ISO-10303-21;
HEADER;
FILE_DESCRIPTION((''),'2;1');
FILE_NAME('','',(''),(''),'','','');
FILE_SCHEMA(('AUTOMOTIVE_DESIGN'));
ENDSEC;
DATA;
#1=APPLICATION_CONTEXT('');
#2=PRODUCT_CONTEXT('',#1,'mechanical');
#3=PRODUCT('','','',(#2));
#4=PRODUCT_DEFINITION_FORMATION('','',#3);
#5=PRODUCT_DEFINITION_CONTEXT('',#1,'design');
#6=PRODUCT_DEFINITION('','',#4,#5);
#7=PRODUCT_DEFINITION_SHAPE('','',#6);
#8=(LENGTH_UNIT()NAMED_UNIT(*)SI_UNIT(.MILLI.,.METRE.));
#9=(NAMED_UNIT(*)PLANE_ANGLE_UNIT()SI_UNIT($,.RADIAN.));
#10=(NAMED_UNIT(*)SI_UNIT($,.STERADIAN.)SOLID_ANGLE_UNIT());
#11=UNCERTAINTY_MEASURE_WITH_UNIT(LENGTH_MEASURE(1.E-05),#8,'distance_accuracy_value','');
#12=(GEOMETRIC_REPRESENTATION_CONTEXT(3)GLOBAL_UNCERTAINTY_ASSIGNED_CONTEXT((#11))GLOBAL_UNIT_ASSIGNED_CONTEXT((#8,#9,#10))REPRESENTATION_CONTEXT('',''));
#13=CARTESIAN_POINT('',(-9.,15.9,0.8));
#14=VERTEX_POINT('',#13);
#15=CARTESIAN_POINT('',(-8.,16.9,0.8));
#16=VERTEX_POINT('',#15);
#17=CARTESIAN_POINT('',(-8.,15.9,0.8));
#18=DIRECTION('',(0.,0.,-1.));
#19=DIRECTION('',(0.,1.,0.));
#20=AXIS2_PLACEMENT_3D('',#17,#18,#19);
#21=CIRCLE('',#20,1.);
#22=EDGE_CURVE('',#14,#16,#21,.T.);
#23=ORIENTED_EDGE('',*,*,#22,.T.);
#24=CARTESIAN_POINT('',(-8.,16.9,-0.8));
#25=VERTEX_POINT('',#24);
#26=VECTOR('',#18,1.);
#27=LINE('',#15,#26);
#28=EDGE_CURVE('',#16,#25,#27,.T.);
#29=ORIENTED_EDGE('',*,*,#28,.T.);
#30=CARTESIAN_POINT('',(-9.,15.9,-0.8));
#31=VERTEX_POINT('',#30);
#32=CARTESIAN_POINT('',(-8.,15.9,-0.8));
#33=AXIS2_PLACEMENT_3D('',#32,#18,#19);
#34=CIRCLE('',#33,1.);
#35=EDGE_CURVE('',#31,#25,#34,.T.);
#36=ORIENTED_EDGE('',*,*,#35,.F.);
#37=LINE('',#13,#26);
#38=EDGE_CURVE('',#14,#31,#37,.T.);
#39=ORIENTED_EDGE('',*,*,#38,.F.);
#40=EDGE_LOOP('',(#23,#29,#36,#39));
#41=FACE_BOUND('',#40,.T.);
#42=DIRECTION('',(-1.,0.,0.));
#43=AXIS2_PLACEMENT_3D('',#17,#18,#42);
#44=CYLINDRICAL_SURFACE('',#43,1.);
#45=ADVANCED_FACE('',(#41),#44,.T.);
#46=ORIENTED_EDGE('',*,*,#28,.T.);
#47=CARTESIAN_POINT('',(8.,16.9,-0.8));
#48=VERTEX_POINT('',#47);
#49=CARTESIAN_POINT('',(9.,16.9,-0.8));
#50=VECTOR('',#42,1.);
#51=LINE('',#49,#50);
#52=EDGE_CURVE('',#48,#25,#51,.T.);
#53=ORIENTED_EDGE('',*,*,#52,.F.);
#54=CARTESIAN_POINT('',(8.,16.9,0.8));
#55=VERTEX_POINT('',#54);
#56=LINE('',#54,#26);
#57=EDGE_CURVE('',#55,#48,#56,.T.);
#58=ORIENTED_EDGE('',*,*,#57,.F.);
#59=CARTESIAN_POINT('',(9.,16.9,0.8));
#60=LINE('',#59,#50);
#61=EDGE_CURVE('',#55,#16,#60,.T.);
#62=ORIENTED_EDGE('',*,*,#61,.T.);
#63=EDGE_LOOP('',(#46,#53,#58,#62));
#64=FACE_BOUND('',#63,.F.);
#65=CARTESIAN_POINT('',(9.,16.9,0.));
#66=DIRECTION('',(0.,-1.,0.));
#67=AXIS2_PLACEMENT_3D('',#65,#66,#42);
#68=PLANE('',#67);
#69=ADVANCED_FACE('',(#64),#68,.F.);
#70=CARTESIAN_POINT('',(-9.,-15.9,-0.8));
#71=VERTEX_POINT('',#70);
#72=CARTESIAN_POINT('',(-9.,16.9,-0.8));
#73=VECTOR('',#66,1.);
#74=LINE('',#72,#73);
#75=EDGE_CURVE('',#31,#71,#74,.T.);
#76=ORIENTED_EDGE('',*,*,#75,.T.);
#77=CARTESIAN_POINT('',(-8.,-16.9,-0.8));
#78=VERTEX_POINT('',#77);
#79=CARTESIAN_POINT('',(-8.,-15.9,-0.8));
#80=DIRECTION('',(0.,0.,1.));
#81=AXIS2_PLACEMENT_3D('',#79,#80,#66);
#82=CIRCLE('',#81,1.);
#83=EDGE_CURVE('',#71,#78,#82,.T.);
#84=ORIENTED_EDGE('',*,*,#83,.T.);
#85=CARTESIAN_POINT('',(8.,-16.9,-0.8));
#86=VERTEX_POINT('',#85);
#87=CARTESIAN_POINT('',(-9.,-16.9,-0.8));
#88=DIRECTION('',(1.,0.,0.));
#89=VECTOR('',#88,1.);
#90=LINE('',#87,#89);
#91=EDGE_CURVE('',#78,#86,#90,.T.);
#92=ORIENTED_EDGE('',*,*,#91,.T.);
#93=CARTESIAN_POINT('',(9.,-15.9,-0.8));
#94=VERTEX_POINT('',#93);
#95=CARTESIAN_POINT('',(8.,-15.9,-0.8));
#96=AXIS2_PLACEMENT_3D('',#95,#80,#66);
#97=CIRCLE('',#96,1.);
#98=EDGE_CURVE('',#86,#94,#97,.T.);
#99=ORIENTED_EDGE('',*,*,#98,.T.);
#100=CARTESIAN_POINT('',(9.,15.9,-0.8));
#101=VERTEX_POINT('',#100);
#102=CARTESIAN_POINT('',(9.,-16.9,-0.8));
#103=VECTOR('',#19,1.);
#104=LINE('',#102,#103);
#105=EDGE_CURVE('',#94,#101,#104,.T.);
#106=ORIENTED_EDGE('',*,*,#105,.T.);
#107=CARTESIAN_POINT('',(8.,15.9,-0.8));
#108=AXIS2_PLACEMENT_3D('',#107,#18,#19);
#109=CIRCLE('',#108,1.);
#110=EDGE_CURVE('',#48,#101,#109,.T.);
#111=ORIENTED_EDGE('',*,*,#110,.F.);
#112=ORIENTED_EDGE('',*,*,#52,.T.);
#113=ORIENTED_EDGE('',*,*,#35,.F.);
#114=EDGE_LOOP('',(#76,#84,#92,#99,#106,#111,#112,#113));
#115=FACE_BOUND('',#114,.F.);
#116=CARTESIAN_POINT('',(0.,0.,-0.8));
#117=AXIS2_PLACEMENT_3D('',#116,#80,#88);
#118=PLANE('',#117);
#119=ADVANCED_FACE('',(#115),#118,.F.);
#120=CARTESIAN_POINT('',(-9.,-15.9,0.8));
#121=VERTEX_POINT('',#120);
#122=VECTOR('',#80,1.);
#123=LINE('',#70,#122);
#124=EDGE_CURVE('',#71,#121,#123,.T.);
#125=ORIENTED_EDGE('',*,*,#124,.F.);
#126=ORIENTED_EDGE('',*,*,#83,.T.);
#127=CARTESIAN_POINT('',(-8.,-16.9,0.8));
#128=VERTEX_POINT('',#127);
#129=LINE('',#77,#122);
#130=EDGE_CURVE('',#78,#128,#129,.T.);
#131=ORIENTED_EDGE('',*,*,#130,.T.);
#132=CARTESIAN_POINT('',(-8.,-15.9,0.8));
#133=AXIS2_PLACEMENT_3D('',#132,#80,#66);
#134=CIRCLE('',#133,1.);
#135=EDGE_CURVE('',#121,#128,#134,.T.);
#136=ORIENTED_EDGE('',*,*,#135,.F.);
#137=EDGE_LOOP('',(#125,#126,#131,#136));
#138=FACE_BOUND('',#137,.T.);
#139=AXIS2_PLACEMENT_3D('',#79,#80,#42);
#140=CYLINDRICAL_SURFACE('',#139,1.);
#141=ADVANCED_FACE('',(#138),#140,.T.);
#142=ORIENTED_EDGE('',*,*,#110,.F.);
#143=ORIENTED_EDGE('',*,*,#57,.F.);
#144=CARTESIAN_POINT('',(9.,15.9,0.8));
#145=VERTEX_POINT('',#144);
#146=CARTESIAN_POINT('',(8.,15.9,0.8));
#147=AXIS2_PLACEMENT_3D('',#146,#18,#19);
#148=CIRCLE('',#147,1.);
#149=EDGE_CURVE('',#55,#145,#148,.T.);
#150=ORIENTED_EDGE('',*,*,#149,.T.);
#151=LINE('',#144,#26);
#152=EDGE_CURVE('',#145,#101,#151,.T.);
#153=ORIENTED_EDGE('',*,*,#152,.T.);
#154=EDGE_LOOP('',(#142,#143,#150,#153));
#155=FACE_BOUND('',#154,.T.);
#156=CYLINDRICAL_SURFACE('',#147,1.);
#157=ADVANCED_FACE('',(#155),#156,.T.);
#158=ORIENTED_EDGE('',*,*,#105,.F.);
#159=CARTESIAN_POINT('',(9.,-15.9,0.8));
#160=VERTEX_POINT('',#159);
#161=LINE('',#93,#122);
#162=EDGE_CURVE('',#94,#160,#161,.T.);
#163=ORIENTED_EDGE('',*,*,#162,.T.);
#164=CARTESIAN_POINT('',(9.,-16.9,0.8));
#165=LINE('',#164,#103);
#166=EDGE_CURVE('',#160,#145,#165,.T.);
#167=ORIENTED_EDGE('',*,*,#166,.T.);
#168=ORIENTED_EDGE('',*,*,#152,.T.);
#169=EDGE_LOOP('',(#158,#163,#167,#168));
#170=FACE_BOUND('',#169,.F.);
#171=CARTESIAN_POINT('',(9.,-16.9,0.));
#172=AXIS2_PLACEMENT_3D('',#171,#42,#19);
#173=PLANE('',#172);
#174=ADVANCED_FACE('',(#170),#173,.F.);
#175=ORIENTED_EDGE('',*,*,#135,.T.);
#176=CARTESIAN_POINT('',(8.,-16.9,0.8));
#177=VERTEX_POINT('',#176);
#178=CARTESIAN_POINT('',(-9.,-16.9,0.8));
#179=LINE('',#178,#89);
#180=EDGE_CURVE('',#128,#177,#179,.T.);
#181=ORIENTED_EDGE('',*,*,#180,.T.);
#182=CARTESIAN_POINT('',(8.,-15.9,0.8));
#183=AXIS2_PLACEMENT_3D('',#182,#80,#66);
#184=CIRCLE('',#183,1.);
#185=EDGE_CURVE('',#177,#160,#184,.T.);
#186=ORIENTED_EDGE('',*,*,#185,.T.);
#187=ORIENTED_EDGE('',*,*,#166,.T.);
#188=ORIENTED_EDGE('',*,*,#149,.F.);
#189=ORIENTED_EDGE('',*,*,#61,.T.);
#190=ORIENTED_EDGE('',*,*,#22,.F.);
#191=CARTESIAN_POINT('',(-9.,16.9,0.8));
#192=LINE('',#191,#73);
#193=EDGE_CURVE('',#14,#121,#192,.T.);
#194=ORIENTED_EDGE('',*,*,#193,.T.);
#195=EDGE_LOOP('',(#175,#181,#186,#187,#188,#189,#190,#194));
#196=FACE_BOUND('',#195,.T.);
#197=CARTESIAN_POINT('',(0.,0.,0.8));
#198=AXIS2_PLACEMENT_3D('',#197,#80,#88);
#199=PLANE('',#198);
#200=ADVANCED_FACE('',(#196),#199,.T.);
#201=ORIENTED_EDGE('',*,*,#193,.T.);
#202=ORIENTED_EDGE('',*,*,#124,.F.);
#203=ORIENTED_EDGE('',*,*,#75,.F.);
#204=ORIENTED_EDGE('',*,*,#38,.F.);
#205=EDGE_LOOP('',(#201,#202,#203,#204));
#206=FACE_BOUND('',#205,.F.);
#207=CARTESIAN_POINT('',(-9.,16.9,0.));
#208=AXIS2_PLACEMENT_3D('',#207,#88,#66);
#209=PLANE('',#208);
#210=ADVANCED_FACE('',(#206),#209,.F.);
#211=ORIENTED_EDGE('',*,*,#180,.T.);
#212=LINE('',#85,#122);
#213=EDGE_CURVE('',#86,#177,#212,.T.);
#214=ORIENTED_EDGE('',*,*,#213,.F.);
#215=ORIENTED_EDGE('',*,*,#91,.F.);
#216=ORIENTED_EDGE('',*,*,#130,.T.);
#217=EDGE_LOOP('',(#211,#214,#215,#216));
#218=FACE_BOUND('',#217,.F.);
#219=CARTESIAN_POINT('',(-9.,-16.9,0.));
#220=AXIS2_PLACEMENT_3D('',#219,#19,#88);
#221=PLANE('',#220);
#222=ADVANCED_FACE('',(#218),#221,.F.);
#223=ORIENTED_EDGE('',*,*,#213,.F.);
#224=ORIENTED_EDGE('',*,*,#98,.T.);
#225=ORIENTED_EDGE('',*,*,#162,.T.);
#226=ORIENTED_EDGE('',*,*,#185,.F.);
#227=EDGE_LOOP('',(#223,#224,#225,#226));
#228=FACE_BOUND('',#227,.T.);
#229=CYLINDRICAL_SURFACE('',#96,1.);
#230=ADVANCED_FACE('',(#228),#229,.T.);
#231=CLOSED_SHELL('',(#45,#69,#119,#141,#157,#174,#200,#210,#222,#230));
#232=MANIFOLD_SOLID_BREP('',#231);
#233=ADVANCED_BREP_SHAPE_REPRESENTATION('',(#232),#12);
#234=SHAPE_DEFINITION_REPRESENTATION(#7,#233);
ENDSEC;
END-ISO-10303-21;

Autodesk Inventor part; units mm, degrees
ref_plane "YZ Plane" through (0, 0, 0) normal (1, 0, 0) x (0, 1, 0)
ref_plane "XZ Plane" through (0, 0, 0) normal (0, 1, 0) x (-1, 0, 0)
ref_plane "XY Plane" through (0, 0, 0) normal (0, 0, 1) x (1, 0, 0)
sketch "Sketch1" plane through (0, 0, 0) normal (0, 0, 1) x (1, 0, 0)
  line L0 (-9, -16.9) -> (9, -16.9)
  line L1 (9, -16.9) -> (9, 16.9)
  line L2 (9, 16.9) -> (-9, 16.9)
  line L3 (-9, 16.9) -> (-9, -16.9)
  line L4 (-9, -16.9) -> (9, 16.9) construction
  line L5 (9, -16.9) -> (-9, 16.9) construction
  point P0 (0, 0)
  dimension "d0" = 18
  dimension "d1" = 33.8
extrude "Extrusion1" add sketch "Sketch1" along normal mid plane 1.6
fillet "Fillet1" radius 1 4 edges at (-9, -16.9, 0) (9, -16.9, 0) (9, 16.9, 0) (-9, 16.9, 0)
sketch "USB_MAIN_EXTENSION_PCB_OUTLINE" plane through (0, 0, 0.8) normal (0, 0, 1) x (1, 0, 0)
  arc A0 (-8, 16.9) -> (-9, 15.9) centre (-8, 15.9) ccw projected
  line L0 (-9, 15.9) -> (-9, -15.9) projected
  arc A1 (-9, -15.9) -> (-8, -16.9) centre (-8, -15.9) ccw projected
  line L1 (-8, -16.9) -> (8, -16.9) projected
  arc A2 (8, -16.9) -> (9, -15.9) centre (8, -15.9) ccw projected
  line L2 (9, -15.9) -> (9, 15.9) projected
  arc A3 (9, 15.9) -> (8, 16.9) centre (8, 15.9) ccw projected
  line L3 (8, 16.9) -> (-8, 16.9) projected
  line L4 (7, 13.9) -> (7, 8.515)
  line L5 (7, 8.485) -> (7, 3.1)
  line L6 (7, -3.1) -> (7, -8.485)
  line L7 (7, -8.515) -> (7, -13.9)
  line L8 (3.15, -14.5) -> (4.75, -14.5)
  line L9 (4.75, -14.2) -> (3.15, -14.2)
  line L10 (4.95, -14.5) -> (4.95, -14.2)
  line L11 (2.95, -14.2) -> (2.95, -14.5)
  line L12 (4.75, -2.5) -> (3.15, -2.5)
  line L13 (3.15, -2.8) -> (4.75, -2.8)
  line L14 (4.95, -2.8) -> (4.95, -2.5)
  line L15 (2.95, -2.5) -> (2.95, -2.8)
  line L16 (4.75, 2.8) -> (3.15, 2.8)
  line L17 (3.15, 2.5) -> (4.75, 2.5)
  line L18 (4.95, 2.5) -> (4.95, 2.8)
  line L19 (2.95, 2.8) -> (2.95, 2.5)
  line L20 (4.75, 14.5) -> (3.15, 14.5)
  line L21 (3.15, 14.2) -> (4.75, 14.2)
  line L22 (4.95, 14.2) -> (4.95, 14.5)
  line L23 (2.95, 14.5) -> (2.95, 14.2)
  line L24 (2.2526, 12.7) -> (1.15, 12.7)
  line L25 (1.05, 12.4) -> (1.05, 12.6)
  line L26 (1.15, 4.3) -> (2.2526, 4.3)
  line L27 (1.05, 4.4) -> (1.05, 4.6)
  line L28 (2.2526, -4.3) -> (1.15, -4.3)
  line L29 (1.05, -4.6) -> (1.05, -4.4)
  line L30 (1.15, -12.7) -> (2.2526, -12.7)
  line L31 (1.05, -12.6) -> (1.05, -12.4)
  circle A4 centre (3.95, -2.65) radius 1
  circle A5 centre (3.95, -14.35) radius 1
  circle A6 centre (3.95, 2.65) radius 1
  circle A7 centre (3.95, 14.35) radius 1
  line L32 (-6.755, -9.254) -> (-6.755, -8.746)
  line L33 (-6.247, -8.746) -> (-6.755, -8.746)
  line L34 (-6.247, -9.254) -> (-6.247, -8.746)
  line L35 (-6.755, -9.254) -> (-6.247, -9.254)
  line L36 (-4.755, 8.746) -> (-4.755, 9.254)
  line L37 (-4.247, 8.746) -> (-4.755, 8.746)
  line L38 (-4.247, 8.746) -> (-4.247, 9.254)
  line L39 (-4.247, 9.254) -> (-4.755, 9.254)
  circle A8 centre (-4.501, 9) radius 0.254
  circle A9 centre (-6.501, -9) radius 0.254
  point P0 (0, 0)
properties part number "USB_MAIN_EXTENSION_PCB"
